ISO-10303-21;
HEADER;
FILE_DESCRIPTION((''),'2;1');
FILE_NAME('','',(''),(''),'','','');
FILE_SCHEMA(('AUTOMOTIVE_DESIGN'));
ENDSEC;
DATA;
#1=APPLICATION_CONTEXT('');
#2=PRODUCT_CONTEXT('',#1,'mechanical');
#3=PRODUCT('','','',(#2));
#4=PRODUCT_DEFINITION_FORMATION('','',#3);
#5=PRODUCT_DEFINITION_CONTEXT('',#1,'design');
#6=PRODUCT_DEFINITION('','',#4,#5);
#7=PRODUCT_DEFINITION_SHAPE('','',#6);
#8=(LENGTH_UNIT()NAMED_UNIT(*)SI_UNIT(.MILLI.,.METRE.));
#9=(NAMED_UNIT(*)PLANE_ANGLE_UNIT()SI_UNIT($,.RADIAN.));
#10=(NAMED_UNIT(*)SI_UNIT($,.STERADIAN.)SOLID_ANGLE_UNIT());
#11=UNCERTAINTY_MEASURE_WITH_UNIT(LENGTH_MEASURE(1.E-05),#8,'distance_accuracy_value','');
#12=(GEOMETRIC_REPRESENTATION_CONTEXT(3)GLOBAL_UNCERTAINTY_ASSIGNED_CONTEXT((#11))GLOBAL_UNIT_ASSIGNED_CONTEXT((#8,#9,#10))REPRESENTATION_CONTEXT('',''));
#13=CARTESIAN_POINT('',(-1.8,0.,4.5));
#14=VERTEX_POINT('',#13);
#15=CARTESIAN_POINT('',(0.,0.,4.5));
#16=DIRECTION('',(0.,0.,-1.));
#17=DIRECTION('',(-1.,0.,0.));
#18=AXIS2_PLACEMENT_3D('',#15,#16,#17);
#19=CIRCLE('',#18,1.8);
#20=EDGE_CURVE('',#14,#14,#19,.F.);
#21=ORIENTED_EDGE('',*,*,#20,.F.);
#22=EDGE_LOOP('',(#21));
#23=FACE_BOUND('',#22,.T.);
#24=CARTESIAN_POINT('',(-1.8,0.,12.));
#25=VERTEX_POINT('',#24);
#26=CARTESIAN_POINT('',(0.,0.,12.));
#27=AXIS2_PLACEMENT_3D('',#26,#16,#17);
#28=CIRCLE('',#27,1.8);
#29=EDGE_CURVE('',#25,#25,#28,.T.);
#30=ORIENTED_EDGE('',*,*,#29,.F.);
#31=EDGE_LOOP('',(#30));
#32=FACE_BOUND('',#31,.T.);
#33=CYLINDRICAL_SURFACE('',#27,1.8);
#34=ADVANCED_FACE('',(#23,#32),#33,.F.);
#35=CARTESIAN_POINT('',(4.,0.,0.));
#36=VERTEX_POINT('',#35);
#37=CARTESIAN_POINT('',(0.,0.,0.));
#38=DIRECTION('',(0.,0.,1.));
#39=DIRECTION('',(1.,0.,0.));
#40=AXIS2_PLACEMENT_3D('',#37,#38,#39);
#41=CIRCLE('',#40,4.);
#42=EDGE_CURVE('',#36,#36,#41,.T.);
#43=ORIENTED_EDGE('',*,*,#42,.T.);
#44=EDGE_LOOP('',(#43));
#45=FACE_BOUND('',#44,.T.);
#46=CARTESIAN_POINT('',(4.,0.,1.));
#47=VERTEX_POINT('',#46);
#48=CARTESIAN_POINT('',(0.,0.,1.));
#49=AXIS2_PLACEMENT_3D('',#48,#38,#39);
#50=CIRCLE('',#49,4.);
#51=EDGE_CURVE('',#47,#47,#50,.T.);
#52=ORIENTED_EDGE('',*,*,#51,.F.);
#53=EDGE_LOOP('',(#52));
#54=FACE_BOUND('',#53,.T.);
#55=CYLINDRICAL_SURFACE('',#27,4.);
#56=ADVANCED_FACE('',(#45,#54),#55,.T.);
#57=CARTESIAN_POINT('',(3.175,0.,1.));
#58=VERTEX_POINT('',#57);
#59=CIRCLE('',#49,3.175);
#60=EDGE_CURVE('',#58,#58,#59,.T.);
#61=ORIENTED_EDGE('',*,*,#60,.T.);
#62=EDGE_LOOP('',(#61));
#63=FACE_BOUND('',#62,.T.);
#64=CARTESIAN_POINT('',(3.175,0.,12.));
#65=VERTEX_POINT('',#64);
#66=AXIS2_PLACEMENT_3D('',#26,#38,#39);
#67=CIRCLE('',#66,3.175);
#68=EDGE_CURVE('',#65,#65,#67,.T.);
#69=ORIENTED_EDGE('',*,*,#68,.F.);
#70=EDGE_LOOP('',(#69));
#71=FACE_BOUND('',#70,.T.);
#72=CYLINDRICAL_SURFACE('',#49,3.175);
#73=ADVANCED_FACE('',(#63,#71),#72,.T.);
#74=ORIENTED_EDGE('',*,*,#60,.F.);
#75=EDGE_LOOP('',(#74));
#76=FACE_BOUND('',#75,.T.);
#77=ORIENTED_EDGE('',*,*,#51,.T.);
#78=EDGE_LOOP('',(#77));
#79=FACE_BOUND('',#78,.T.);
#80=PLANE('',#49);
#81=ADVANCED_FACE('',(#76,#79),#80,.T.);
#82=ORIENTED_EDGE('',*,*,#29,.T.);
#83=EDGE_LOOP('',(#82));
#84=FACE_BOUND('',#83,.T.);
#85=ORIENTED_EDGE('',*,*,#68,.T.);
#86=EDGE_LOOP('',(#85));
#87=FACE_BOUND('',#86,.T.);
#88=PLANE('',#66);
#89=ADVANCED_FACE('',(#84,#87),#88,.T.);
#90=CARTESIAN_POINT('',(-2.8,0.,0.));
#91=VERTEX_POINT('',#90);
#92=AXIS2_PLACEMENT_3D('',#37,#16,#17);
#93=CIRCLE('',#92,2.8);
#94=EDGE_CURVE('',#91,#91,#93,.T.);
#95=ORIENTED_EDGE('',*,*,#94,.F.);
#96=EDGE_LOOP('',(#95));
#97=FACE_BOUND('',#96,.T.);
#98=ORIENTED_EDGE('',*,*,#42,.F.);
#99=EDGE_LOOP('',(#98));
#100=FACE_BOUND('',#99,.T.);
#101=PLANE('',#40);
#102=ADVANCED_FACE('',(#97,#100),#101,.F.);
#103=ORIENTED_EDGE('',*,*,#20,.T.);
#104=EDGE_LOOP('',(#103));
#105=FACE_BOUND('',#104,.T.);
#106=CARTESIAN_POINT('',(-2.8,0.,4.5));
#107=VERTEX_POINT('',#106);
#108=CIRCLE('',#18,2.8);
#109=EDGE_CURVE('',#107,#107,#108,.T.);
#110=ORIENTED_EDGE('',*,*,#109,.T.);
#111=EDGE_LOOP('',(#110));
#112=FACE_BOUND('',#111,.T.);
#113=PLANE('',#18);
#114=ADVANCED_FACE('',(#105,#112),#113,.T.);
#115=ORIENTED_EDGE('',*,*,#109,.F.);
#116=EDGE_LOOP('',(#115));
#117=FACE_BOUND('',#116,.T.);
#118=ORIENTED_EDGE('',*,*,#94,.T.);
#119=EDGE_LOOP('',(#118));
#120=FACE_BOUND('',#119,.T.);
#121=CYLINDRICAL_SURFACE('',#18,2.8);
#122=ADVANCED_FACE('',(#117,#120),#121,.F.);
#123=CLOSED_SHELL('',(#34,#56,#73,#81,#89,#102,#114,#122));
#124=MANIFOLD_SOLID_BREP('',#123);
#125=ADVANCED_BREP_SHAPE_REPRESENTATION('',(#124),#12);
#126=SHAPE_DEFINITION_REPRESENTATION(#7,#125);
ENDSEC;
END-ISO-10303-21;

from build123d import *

# Parameters (mm, degrees)
SKETCH1_R           = 4
BOSS_EXTRUDE1_DEPTH = 12
CUT_EXTRUDE1_START  = -11
SKETCH2_R           = 4
SKETCH2_R_2         = 3.175
CUT_EXTRUDE1_DEPTH  = 11
SKETCH5_R           = 1.8
CUT_EXTRUDE2_DEPTH  = 14.266499161
SKETCH6_R           = 2.8
CUT_EXTRUDE3_DEPTH  = 4.5


with BuildPart() as part:
    # Sketch1 → Boss-Extrude1 (new body)
    with BuildSketch(Plane.XY):
        Circle(SKETCH1_R)
    extrude(amount=BOSS_EXTRUDE1_DEPTH)

    # Sketch2 → Cut-Extrude1 (cut)
    with BuildSketch(Plane.XY.offset(12).offset(CUT_EXTRUDE1_START)):
        Circle(SKETCH2_R)
        Circle(SKETCH2_R_2, mode=Mode.SUBTRACT)
    extrude(amount=CUT_EXTRUDE1_DEPTH, mode=Mode.SUBTRACT)

    # Sketch5 → Cut-Extrude2 (cut, through all)
    with BuildSketch(Plane(origin=(0, 0, 0), x_dir=(-1, 0, 0), z_dir=(0, 0, -1))):
        Circle(SKETCH5_R)
    extrude(amount=-CUT_EXTRUDE2_DEPTH, mode=Mode.SUBTRACT)

    # Sketch6 → Cut-Extrude3 (cut)
    with BuildSketch(Plane(origin=(0, 0, 0), x_dir=(-1, 0, 0), z_dir=(0, 0, -1))):
        Circle(SKETCH6_R)
    extrude(amount=-CUT_EXTRUDE3_DEPTH, mode=Mode.SUBTRACT)


solid = part.part
